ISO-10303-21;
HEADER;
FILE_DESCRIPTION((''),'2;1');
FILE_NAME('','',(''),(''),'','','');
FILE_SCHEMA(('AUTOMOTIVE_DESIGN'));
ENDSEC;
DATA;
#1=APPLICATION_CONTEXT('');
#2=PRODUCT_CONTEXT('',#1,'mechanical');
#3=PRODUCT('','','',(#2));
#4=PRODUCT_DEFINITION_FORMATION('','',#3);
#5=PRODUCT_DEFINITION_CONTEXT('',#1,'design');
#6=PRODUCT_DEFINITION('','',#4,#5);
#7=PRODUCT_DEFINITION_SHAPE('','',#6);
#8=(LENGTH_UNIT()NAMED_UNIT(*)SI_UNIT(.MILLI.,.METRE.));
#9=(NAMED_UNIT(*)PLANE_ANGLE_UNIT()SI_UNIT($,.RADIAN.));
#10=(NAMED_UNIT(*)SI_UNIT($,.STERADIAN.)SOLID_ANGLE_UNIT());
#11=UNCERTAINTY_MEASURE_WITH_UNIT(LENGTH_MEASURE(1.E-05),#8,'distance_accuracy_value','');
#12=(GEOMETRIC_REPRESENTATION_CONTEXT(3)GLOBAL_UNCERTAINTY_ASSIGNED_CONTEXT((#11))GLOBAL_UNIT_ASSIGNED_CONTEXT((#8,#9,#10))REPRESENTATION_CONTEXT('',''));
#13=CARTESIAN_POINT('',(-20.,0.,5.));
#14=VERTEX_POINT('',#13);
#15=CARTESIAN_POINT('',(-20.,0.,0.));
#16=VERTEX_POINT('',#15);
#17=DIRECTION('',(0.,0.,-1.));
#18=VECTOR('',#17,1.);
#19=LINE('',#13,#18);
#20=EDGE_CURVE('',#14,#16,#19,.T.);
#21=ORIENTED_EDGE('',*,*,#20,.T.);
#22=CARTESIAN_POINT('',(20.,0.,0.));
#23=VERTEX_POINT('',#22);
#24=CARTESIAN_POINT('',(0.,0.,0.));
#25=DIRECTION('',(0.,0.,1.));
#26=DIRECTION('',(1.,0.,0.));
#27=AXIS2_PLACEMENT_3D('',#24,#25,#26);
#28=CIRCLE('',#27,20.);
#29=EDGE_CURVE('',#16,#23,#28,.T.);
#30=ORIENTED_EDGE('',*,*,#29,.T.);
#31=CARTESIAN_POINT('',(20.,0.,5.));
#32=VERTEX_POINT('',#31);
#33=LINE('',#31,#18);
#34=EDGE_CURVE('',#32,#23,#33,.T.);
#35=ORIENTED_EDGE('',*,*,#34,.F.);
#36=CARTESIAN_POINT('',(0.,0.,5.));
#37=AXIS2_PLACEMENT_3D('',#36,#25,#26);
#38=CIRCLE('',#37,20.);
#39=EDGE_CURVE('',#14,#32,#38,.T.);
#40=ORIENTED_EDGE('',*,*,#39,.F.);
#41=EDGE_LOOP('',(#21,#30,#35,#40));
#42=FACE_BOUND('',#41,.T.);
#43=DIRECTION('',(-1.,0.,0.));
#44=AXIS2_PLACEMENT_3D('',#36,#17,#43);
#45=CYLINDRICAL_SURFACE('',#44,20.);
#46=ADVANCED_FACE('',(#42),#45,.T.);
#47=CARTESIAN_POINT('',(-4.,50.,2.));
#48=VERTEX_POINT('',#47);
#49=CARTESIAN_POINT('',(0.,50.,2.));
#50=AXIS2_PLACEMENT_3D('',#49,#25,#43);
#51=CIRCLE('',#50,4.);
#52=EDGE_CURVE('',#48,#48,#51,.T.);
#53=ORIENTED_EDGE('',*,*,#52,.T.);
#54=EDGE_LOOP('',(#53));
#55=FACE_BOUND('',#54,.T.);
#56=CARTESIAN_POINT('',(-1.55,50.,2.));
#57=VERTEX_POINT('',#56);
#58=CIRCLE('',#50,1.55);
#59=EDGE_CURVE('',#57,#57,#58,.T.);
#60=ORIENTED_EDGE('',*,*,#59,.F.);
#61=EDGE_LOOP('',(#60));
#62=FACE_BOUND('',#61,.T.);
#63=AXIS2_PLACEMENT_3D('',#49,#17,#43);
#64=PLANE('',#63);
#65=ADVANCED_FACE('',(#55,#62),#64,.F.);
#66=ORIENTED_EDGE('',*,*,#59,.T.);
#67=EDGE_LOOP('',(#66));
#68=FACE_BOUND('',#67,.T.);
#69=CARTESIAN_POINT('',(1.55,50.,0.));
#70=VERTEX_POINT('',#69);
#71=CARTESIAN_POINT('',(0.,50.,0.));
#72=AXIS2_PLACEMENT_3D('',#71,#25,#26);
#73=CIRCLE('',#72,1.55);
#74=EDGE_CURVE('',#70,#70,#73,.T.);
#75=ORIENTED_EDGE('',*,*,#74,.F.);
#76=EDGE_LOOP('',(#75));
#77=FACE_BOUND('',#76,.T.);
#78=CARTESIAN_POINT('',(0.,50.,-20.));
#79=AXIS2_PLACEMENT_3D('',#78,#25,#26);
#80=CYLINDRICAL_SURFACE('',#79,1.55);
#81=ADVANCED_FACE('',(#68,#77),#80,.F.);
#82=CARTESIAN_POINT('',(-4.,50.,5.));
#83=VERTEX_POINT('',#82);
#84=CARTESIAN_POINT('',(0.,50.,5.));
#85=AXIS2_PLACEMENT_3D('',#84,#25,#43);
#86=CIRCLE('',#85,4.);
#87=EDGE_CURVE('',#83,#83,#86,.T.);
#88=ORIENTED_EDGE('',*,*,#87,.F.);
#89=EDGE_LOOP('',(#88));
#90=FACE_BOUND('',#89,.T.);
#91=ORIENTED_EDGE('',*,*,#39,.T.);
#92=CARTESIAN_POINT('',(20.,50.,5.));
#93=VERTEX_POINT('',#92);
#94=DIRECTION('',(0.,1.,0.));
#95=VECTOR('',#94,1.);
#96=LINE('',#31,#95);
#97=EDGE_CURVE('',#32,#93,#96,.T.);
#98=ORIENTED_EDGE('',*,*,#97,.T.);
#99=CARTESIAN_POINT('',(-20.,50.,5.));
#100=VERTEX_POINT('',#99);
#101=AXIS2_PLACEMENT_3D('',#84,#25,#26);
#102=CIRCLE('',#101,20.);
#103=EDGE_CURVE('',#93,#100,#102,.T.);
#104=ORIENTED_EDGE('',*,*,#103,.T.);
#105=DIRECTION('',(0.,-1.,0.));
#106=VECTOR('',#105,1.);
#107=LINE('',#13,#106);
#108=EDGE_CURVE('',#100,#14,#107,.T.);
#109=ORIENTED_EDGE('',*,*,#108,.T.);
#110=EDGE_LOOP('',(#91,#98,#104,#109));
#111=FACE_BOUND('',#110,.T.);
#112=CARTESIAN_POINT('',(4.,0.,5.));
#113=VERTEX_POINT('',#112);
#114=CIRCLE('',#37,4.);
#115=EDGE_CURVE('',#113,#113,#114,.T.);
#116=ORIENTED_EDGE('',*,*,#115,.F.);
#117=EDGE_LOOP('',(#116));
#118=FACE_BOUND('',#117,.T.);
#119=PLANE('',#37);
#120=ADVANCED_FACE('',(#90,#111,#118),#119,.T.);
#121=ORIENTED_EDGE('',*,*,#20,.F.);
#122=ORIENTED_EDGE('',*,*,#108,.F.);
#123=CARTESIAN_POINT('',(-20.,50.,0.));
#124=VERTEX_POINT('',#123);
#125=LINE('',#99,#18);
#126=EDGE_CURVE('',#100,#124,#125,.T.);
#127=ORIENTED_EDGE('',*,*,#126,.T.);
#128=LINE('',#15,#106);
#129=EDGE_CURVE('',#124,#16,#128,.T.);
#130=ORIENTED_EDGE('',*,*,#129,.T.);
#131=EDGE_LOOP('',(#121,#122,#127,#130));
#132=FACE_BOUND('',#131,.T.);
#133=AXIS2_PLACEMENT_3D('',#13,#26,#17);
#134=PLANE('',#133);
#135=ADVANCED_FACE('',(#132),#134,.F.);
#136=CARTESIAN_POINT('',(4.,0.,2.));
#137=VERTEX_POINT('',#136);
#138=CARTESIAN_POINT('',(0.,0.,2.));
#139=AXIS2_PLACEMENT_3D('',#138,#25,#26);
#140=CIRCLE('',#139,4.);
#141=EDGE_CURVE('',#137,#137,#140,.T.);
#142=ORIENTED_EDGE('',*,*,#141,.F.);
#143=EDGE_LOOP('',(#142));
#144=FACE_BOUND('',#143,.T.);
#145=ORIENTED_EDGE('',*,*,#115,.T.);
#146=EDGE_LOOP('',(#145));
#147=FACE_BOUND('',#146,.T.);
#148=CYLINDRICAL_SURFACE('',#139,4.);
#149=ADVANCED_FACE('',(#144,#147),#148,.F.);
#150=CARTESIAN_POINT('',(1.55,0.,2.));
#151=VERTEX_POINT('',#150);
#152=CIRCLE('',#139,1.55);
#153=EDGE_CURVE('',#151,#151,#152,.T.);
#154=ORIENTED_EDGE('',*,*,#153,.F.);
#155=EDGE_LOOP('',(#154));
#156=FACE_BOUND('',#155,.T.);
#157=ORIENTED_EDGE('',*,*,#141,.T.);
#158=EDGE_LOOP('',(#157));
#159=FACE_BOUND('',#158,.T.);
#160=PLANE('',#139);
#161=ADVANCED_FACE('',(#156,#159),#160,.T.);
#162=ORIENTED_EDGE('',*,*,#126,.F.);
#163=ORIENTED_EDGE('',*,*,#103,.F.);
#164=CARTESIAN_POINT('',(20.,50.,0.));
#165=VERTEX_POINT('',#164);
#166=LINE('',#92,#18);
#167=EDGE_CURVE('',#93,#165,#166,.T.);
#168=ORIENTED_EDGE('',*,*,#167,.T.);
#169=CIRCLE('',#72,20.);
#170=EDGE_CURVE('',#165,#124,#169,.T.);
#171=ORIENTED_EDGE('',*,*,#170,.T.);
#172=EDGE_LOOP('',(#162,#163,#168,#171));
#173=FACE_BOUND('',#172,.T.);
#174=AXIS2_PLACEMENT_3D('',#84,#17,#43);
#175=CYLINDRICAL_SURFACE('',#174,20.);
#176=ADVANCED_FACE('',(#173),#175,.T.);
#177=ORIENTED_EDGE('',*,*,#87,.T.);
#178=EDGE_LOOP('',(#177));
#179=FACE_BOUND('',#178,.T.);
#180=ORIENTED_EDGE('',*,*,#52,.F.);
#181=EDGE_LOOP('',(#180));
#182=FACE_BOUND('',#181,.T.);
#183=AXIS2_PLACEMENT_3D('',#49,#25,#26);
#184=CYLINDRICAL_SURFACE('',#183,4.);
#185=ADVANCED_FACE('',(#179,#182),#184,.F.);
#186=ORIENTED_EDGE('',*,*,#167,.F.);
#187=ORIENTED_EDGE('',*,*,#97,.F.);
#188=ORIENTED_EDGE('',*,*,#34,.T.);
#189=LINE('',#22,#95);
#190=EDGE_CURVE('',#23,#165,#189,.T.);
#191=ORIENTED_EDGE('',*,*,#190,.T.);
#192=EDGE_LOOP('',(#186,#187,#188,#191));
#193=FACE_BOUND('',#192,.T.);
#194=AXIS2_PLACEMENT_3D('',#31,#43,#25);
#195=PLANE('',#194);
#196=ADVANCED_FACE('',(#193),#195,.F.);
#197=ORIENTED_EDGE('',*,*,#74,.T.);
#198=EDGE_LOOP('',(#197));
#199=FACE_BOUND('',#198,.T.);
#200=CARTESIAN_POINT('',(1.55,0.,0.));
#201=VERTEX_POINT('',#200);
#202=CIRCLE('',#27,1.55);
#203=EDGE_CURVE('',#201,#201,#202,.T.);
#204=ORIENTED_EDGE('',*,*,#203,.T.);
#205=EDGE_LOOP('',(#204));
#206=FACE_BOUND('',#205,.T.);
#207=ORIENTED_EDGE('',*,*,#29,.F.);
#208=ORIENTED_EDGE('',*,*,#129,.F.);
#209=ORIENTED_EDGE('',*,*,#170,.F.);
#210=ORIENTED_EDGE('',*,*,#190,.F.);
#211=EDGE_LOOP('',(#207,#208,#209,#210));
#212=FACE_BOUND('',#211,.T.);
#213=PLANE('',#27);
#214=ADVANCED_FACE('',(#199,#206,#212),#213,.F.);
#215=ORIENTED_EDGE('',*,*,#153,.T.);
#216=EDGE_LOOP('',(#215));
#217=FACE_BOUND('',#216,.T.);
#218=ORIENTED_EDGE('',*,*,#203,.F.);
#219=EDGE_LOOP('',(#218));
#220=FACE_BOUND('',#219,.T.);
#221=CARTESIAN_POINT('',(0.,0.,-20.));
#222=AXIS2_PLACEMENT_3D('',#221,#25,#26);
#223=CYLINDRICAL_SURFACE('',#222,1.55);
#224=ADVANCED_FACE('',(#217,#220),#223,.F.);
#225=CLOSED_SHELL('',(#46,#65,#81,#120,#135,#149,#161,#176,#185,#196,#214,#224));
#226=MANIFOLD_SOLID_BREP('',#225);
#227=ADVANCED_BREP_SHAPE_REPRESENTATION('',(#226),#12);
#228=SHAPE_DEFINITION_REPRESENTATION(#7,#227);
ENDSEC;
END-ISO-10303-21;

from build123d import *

# Parameters (mm, degrees)
BOSS_EXTRUDE1_DEPTH = 5
SKETCH3_R           = 4
CUT_EXTRUDE1_DEPTH  = 3
SKETCH4_R           = 1.55
CUT_EXTRUDE2_DEPTH  = 22


with BuildPart() as part:
    # Sketch1 → Boss-Extrude1 (new body)
    with BuildSketch(Plane.XY):
        with BuildLine():
            Line((-20, 0), (-20, 50))
            ThreePointArc((-20, 50), (0, 70), (20, 50))
            Line((20, 50), (20, 0))
            ThreePointArc((20, 0), (0, -20), (-20, 0))
        make_face()
    extrude(amount=BOSS_EXTRUDE1_DEPTH)

    # Sketch3 → Cut-Extrude1 (cut)
    with BuildSketch(Plane.XY.offset(5)):
        Circle(SKETCH3_R)
        with Locations(Location((0, 50, 0), (0, 0, 180))):
            Circle(SKETCH3_R)
    extrude(amount=-CUT_EXTRUDE1_DEPTH, mode=Mode.SUBTRACT)

    # Sketch4 → Cut-Extrude2 (cut)
    with BuildSketch(Plane.XY.offset(2)):
        Circle(SKETCH4_R)
        with Locations((0, 50)):
            Circle(SKETCH4_R)
    extrude(amount=-CUT_EXTRUDE2_DEPTH, mode=Mode.SUBTRACT)


solid = part.part
